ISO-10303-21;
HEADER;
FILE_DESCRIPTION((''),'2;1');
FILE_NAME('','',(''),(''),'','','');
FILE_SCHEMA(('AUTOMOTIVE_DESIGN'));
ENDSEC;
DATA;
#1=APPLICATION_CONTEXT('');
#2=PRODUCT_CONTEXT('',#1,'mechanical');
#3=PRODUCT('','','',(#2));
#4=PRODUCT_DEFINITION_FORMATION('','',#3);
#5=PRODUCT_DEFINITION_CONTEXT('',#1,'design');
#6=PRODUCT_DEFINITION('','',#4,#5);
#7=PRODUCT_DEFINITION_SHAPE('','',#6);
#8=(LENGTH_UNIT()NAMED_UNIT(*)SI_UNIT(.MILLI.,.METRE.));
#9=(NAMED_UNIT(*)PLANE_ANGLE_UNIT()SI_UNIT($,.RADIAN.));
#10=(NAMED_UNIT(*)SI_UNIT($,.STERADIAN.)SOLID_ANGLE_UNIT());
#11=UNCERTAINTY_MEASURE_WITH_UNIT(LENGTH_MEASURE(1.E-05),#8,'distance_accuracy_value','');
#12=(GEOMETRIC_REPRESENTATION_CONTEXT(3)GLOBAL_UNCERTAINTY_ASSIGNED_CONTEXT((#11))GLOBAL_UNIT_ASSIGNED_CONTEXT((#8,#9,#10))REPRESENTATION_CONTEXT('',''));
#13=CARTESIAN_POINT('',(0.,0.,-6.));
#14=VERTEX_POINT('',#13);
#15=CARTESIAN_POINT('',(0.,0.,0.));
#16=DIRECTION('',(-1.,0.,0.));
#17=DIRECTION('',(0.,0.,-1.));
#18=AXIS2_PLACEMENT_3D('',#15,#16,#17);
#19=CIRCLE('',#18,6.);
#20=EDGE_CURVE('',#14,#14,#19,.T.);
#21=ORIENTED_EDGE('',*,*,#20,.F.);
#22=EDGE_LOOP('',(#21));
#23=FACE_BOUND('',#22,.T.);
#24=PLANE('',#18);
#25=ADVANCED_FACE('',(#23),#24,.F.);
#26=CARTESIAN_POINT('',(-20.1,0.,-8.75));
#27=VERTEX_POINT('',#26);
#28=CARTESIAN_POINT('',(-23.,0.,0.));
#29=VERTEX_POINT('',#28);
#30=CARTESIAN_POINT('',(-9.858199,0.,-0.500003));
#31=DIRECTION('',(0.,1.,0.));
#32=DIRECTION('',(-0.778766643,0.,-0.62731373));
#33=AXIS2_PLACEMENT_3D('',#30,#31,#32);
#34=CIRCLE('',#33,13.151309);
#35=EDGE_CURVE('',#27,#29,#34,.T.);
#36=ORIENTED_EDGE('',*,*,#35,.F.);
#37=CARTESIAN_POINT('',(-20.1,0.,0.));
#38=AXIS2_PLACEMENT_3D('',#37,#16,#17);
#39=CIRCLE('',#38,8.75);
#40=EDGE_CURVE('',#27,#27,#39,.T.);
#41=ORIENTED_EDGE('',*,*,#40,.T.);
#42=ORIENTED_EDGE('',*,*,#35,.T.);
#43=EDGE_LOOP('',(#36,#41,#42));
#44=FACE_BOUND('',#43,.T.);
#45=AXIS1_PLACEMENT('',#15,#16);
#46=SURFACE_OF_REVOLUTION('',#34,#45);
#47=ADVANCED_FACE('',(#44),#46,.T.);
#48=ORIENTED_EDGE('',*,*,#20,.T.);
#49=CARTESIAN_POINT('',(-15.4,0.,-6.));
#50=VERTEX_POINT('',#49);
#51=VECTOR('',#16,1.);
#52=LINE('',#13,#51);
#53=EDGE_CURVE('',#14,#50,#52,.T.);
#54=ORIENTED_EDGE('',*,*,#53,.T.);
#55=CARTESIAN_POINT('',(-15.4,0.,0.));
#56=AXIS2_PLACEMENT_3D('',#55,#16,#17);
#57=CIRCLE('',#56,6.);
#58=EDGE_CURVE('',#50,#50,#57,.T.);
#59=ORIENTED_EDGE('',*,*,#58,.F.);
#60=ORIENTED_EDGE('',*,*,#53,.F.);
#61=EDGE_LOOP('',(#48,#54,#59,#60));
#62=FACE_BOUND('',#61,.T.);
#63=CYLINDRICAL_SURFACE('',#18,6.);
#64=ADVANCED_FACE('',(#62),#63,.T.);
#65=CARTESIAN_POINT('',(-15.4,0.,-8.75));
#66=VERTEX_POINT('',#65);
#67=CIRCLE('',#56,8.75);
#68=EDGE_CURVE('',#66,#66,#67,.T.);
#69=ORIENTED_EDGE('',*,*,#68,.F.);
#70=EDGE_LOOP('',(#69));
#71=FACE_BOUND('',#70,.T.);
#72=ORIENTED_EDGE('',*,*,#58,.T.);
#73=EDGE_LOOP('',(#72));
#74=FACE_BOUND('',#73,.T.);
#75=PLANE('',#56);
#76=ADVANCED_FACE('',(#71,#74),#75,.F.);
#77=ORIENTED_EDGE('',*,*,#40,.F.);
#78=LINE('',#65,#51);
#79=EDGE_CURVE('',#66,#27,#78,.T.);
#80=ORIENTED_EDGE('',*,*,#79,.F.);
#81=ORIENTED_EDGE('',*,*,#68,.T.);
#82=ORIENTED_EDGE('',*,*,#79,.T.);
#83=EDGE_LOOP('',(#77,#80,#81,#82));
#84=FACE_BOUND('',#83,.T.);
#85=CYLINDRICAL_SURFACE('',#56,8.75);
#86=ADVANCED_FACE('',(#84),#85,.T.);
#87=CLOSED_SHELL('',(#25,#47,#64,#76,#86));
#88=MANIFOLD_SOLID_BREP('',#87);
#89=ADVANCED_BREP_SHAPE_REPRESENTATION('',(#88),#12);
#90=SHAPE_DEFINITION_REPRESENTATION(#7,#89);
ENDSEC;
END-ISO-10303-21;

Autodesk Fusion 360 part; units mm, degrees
sketch "Sketch1" plane through (0, 0, 0) normal (0, 1, 0) x (1, 0, 0)
  line L0 (0, 0) -> (-15.4, 0)
  line L1 (0, 0) -> (0, 6)
  line L2 (0, 6) -> (-15.4, 6)
  line L3 (-15.4, 6) -> (-15.4, 8.75)
  line L4 (-15.4, 8.75) -> (-20.1, 8.75)
  arc A0 (-20.1, 8.75) -> (-23, 0) centre (-9.8582, 0.5) ccw
  line L5 (-23, 0) -> (-15.4, 0)
  dimension "d1" = 15.4
  dimension "d2" = 6
  dimension "d3" = 15.4
  dimension "d4" = 2.75
  dimension "d5" = 90
  dimension "d6" = 4.7
revolve "Revolve1" add sketch "Sketch1" angle 360 about axis through (0, 0, 0) along (-1, 0, 0)
equation "d2 = ( 12 / 2 ) * 1 mm"
equation "d4 = ( 17.5 mm - 12 mm ) / 2"
